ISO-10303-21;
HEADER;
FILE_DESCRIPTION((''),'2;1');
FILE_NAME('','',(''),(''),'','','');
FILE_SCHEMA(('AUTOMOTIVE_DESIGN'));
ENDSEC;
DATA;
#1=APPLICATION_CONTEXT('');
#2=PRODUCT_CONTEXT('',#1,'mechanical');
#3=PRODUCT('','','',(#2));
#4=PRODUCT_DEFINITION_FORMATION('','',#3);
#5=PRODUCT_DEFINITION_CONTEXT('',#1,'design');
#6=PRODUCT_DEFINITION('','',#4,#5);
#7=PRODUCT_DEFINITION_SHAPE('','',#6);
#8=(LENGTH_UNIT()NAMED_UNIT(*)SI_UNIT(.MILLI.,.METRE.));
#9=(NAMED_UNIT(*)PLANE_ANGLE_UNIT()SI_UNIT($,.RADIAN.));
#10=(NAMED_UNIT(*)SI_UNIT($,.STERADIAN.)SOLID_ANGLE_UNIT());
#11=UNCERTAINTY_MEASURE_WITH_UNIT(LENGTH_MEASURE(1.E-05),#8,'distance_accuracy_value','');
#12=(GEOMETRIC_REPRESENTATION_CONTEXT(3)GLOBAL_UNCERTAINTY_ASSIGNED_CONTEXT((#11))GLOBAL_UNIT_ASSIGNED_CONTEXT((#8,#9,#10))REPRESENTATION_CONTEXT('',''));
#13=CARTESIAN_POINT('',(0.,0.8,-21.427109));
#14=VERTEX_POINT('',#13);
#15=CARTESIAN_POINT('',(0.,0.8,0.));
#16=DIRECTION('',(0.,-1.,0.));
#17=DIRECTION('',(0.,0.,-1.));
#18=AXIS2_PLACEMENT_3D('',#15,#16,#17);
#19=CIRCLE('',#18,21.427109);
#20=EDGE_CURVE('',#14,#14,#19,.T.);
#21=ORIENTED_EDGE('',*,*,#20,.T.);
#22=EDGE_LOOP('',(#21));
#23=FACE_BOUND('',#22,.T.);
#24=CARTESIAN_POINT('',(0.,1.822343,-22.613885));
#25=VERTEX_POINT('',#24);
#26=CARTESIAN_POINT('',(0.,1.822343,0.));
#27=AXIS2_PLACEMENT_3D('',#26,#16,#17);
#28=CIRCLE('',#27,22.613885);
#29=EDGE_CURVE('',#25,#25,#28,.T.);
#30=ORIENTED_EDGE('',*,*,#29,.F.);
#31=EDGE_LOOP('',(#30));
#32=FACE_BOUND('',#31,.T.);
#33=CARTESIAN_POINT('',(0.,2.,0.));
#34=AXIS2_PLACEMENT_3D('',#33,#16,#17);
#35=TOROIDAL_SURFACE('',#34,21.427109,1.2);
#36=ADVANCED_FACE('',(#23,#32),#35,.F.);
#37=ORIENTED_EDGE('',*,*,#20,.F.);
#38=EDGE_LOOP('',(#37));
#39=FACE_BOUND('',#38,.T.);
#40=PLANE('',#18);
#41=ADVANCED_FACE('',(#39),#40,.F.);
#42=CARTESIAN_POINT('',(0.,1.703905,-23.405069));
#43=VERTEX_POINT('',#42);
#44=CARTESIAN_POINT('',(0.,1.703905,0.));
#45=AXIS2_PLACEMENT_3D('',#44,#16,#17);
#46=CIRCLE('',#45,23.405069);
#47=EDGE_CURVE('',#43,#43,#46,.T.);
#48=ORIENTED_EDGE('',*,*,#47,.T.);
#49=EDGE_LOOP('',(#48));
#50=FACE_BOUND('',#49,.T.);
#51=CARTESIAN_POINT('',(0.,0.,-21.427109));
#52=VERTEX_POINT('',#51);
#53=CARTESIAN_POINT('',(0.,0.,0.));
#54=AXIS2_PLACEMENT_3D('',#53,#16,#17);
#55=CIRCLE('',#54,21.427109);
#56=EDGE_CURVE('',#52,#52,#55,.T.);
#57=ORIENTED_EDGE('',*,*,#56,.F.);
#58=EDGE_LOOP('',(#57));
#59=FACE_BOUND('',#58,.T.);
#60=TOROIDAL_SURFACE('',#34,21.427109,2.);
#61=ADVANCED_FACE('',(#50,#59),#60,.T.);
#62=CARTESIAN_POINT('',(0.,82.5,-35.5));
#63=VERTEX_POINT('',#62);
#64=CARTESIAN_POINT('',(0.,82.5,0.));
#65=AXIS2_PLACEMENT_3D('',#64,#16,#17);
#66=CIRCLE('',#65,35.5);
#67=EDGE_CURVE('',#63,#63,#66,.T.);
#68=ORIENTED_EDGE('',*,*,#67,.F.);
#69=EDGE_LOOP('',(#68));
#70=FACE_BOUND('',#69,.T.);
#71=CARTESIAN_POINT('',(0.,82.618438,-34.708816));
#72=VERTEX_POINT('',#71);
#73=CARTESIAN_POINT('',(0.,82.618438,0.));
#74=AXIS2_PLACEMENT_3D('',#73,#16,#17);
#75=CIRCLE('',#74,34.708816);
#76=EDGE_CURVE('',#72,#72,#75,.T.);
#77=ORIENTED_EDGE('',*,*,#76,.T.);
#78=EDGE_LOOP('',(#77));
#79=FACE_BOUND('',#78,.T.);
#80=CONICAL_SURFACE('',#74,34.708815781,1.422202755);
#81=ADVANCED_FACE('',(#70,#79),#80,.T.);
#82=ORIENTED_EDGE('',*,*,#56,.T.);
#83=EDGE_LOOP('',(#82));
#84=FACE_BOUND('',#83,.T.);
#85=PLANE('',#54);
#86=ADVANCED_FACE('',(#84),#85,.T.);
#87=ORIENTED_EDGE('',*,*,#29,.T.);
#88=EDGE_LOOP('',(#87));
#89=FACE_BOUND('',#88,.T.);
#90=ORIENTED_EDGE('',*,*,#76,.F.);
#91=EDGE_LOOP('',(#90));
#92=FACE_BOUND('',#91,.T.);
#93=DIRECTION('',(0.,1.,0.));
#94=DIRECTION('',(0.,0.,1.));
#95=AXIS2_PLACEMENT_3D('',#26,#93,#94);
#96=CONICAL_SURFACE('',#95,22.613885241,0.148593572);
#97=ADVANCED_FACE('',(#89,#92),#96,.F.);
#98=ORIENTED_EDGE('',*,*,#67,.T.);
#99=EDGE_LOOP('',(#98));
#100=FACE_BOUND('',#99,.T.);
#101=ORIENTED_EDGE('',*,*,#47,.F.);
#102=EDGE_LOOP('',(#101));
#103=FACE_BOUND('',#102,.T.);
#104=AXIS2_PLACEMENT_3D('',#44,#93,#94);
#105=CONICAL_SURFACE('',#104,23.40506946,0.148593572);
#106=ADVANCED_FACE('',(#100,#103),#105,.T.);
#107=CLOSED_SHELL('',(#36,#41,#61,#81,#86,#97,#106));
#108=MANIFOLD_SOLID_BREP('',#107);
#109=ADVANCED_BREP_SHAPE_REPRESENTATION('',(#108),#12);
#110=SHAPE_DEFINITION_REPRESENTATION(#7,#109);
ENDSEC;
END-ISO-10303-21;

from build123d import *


with BuildPart() as part:
    # Sketch1 → Revolve-Thin1 (revolve)
    with BuildSketch(Plane.XY, mode=Mode.PRIVATE) as revolve_thin1_sk:
        with BuildLine():
            Line((0, 0), (21.427108912, 0))
            ThreePointArc((21.427108912, 0), (22.732446148, 0.484712997), (23.40506946, 1.7039053))
            Line((23.40506946, 1.7039053), (35.5, 82.5))
            Line((35.5, 82.5), (34.708815781, 82.61843788))
            Line((34.708815781, 82.61843788), (22.613885241, 1.82234318))
            ThreePointArc((22.613885241, 1.82234318), (22.210311254, 1.090827798), (21.427108912, 0.8))
            Line((21.427108912, 0.8), (0, 0.8))
            Line((0, 0.8), (0, 0))
        make_face()
    revolve(revolve_thin1_sk.sketch.rotate(Axis((0, 0, 0), (0, 1, 0)), 90), axis=Axis((0, 0, 0), (0, 1, 0)))


solid = part.part
